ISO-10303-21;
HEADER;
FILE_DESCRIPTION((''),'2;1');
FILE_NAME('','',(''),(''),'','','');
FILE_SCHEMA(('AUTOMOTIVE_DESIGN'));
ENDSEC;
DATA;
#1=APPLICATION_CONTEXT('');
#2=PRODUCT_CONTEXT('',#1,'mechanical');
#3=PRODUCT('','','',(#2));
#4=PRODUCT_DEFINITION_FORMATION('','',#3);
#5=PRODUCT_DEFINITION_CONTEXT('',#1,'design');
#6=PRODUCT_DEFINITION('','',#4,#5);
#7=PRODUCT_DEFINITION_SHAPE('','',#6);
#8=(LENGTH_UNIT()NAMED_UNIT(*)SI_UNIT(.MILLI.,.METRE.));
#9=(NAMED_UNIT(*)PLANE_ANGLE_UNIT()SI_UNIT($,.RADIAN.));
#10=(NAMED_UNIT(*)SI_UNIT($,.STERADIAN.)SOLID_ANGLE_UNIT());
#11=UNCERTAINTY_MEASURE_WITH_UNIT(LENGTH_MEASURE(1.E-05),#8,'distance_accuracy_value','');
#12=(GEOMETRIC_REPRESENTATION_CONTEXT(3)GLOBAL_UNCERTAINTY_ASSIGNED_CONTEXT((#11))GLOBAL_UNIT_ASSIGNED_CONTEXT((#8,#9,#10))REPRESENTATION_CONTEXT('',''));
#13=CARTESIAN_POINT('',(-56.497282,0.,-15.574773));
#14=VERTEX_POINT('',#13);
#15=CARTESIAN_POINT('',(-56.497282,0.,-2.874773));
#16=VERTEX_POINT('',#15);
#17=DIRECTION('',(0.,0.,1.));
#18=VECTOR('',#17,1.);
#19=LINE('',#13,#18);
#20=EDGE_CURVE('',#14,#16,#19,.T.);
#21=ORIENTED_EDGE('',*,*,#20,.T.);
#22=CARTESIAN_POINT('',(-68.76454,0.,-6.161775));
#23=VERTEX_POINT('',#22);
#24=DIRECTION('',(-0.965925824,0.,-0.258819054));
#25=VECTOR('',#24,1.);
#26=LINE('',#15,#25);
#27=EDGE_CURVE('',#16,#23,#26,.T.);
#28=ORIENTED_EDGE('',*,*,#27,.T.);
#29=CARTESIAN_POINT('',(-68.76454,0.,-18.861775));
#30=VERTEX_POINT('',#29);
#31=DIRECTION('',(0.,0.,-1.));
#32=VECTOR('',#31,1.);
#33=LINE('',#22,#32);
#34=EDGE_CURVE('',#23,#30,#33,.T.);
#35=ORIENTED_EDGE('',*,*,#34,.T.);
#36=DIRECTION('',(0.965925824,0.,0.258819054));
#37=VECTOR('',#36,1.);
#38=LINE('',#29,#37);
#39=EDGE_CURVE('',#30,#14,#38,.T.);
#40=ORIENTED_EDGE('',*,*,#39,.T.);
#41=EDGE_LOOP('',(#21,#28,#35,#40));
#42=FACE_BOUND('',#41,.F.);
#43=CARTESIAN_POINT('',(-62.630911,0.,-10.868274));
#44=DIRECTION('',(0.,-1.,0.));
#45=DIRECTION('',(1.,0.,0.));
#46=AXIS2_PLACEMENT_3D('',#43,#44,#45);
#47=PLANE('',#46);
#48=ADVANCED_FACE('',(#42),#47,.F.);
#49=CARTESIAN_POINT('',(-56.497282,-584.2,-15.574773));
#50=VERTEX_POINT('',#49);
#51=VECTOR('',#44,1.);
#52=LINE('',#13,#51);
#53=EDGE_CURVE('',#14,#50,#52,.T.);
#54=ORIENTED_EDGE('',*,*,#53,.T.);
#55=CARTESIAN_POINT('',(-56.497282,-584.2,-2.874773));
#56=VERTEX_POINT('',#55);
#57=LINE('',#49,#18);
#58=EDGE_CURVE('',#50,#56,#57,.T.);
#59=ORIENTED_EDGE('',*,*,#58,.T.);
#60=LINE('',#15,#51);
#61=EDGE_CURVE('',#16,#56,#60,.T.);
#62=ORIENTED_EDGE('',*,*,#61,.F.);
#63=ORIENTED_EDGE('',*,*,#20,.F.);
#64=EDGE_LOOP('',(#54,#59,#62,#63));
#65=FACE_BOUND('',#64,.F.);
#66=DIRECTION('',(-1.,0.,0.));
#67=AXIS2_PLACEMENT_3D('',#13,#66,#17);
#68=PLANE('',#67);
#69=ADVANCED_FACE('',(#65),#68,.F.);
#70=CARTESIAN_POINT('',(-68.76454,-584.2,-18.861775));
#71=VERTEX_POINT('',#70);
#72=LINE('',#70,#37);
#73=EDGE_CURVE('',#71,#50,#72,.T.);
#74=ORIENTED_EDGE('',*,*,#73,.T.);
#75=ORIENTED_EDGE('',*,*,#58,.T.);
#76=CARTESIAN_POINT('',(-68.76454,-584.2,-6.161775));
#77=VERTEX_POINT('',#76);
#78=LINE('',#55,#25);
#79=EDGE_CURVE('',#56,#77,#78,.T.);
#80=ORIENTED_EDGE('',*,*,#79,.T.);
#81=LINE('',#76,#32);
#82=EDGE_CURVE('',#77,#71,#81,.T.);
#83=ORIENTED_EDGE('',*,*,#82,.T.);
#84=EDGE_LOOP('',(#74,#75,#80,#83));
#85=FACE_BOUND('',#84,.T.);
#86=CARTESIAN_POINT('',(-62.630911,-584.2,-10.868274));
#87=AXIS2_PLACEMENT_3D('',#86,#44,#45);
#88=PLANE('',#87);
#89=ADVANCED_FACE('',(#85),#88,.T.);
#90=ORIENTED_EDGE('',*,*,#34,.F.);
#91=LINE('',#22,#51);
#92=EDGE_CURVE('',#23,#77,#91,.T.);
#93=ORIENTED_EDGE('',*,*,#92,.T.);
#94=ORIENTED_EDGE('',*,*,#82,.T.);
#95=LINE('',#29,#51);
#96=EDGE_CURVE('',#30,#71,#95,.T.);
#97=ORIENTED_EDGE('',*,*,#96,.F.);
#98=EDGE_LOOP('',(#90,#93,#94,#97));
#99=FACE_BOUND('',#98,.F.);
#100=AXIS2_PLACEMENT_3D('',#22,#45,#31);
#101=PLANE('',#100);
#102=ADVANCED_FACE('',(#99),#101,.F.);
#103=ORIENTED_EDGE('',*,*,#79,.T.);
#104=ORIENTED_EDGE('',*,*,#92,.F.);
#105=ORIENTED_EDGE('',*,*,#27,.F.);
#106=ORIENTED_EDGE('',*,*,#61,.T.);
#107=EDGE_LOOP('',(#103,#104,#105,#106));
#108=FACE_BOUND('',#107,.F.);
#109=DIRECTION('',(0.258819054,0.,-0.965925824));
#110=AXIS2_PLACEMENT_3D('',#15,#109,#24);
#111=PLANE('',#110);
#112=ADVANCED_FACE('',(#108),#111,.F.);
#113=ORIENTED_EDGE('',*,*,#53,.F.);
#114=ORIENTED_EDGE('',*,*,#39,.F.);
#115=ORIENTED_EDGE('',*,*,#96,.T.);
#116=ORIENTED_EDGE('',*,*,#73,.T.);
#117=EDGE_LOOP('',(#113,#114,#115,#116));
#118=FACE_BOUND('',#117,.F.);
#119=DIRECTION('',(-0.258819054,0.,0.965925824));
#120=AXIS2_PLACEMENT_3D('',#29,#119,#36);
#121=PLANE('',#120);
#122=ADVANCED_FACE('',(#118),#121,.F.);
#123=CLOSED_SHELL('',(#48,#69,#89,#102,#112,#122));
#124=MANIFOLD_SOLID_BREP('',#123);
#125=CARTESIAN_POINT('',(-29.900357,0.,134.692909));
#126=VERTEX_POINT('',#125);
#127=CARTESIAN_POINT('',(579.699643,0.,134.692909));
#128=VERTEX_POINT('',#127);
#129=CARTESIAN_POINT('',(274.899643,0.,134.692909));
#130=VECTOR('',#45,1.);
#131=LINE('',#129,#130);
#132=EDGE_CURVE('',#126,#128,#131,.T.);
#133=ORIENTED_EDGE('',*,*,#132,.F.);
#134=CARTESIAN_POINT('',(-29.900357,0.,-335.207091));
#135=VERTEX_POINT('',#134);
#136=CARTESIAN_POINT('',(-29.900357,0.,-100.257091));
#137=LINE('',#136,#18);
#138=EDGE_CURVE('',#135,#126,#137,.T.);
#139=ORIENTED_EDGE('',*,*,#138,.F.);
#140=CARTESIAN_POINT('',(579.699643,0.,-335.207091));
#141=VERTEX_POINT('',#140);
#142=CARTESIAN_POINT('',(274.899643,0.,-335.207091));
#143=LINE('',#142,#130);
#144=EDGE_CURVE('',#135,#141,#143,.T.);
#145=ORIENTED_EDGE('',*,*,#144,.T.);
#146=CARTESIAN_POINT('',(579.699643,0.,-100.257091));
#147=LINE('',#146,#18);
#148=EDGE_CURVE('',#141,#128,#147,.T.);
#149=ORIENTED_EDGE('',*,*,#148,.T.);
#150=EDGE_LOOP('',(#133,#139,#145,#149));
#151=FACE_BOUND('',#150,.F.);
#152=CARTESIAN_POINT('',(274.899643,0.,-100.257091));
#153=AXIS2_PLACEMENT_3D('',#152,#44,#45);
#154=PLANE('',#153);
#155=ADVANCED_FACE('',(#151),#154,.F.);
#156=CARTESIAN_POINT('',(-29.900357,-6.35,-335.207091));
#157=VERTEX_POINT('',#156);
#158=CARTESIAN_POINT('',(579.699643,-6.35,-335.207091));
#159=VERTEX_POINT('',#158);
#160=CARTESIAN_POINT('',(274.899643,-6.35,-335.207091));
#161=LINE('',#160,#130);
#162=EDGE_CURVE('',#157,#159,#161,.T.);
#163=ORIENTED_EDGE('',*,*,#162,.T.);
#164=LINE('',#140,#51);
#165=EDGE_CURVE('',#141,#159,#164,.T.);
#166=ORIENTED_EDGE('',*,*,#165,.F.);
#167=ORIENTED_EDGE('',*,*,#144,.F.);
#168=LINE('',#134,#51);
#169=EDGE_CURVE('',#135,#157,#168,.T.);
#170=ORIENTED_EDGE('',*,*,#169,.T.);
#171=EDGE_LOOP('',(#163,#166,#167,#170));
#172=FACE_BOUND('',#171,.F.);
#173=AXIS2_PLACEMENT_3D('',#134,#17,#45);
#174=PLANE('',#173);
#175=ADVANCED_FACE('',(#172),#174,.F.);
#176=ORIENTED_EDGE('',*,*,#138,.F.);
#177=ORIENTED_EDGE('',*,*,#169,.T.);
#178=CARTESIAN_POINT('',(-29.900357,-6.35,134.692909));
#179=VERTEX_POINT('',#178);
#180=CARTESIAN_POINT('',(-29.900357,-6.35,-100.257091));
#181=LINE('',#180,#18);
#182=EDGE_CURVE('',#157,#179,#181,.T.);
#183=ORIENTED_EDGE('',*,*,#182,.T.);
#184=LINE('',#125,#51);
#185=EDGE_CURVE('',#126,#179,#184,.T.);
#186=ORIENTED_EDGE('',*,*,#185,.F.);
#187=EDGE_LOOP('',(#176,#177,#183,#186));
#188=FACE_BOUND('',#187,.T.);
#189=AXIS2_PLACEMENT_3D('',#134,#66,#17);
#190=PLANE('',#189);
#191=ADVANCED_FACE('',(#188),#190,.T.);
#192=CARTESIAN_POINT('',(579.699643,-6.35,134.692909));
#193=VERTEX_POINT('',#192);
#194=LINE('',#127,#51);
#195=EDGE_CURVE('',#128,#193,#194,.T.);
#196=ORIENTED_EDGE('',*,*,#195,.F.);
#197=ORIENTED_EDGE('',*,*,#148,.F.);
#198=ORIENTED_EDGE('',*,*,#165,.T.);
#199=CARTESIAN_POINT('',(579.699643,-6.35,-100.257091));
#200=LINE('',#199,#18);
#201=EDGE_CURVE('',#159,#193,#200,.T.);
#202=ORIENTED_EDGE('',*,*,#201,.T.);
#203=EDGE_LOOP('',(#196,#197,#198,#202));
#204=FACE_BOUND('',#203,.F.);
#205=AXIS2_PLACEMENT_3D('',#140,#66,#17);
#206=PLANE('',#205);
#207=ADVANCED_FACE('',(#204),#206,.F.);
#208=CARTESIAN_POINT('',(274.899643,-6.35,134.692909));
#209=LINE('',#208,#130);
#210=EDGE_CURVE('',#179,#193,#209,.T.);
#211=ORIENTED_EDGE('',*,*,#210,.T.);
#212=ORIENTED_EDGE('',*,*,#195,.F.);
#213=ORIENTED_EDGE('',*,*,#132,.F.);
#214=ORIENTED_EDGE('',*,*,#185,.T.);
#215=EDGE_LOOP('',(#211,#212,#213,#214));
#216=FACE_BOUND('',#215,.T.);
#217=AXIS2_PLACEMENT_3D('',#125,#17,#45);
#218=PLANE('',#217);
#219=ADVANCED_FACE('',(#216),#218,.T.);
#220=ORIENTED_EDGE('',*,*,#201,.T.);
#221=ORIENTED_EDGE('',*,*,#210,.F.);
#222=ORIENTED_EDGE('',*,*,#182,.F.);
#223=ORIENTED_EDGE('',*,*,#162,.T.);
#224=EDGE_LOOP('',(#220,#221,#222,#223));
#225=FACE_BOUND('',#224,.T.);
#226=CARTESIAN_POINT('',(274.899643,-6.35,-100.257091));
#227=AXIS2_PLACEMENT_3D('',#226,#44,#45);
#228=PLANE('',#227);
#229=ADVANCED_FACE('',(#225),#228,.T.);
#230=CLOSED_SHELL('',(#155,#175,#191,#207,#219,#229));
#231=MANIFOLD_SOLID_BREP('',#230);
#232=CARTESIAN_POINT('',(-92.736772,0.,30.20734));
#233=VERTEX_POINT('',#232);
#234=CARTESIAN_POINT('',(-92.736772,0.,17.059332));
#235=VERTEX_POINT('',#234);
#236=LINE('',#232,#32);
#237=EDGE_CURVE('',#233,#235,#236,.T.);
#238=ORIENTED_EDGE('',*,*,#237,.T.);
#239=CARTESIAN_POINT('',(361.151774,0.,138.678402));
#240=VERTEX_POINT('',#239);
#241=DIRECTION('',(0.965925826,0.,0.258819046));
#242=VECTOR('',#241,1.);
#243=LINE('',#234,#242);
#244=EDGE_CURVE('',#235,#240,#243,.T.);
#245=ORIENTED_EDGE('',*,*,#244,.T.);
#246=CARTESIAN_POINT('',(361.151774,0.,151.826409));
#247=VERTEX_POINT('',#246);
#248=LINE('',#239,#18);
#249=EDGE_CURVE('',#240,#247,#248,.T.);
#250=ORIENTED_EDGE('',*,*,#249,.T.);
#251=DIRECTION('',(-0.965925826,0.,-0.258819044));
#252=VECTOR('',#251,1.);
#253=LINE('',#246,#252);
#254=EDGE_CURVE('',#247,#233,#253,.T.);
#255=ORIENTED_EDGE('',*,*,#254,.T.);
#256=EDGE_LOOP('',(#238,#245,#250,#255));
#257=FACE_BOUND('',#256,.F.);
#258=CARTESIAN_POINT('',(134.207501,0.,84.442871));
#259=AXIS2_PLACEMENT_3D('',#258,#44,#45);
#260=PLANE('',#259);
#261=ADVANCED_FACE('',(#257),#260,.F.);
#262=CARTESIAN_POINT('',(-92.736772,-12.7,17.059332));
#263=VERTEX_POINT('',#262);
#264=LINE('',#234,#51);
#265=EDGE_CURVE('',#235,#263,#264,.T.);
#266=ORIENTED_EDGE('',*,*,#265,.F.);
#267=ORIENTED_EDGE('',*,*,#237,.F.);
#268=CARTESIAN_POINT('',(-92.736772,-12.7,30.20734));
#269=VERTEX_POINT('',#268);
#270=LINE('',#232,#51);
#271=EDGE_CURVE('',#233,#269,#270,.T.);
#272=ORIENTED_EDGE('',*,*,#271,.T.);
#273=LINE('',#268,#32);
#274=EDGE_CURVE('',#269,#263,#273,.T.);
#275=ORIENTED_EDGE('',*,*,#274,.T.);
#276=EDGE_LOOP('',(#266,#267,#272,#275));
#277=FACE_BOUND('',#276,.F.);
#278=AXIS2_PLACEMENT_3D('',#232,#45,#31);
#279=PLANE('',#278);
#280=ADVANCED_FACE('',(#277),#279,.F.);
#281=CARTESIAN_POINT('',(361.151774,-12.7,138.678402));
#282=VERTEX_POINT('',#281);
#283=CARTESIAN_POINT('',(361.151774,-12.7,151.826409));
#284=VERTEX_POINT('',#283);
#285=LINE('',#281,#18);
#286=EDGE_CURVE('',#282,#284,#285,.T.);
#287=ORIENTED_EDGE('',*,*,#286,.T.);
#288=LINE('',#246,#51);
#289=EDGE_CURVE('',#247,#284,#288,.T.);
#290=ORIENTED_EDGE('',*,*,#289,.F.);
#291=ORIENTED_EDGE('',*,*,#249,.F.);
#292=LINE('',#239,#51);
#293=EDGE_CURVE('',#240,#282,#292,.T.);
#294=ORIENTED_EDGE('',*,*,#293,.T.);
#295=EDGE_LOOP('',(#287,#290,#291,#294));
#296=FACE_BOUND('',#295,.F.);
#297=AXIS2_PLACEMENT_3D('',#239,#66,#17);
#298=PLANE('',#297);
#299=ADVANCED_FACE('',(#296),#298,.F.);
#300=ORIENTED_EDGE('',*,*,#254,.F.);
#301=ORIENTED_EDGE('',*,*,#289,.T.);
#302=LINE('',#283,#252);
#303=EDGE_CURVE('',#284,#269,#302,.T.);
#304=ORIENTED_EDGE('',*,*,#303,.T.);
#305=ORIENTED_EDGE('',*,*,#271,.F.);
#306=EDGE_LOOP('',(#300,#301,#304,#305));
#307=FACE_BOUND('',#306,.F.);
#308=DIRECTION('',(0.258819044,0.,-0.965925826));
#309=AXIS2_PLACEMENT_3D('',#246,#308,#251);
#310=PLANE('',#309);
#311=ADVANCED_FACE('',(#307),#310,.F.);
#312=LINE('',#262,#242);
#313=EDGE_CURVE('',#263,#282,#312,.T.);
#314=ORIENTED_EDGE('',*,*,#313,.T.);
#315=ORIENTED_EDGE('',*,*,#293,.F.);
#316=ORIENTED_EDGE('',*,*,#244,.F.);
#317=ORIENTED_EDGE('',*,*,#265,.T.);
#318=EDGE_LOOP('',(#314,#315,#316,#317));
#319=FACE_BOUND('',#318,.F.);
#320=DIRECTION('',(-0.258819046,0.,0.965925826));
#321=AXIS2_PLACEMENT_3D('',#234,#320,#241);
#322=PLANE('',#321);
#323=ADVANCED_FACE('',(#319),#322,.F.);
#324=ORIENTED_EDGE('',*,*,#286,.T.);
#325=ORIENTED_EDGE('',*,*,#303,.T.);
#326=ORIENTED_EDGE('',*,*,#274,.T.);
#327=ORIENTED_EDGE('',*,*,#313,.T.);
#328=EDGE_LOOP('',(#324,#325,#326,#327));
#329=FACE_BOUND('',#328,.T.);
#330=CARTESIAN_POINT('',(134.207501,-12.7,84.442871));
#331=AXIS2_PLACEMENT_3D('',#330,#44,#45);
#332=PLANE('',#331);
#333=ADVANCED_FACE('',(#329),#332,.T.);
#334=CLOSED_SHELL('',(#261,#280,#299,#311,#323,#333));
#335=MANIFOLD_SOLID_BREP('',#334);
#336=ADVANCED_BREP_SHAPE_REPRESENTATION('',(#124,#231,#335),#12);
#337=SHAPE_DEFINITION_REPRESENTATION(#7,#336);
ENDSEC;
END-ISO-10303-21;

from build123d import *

# Parameters (mm, degrees)
F1_DEPTH = 12.7
F3_DEPTH = 584.2
F4_W     = 609.6
F4_H     = 469.9
F5_DEPTH = 6.35


with BuildPart() as f1:
    # F0 (on Front) → F1 (new body)
    with BuildSketch(Plane.XZ):
        Polygon((361.151774, 151.826409), (-92.736772, 30.20734), (-92.736772, 17.059332), (361.151774, 138.678402), align=None)
    extrude(amount=F1_DEPTH)


with BuildPart() as f3:
    # F2 (on Front) → F3 (new body)
    with BuildSketch(Plane.XZ):
        Polygon((-56.497282, -2.874773), (-68.76454, -6.161775), (-68.76454, -18.861775), (-56.497282, -15.574773), align=None)
    extrude(amount=F3_DEPTH)


with BuildPart() as f5:
    # F4 (on Front) → F5 (new body)
    with BuildSketch(Plane.XZ):
        with Locations((274.899643, -100.257091)):
            Rectangle(F4_W, F4_H)
    extrude(amount=F5_DEPTH)


solid = Compound([f1.part, f3.part, f5.part])
